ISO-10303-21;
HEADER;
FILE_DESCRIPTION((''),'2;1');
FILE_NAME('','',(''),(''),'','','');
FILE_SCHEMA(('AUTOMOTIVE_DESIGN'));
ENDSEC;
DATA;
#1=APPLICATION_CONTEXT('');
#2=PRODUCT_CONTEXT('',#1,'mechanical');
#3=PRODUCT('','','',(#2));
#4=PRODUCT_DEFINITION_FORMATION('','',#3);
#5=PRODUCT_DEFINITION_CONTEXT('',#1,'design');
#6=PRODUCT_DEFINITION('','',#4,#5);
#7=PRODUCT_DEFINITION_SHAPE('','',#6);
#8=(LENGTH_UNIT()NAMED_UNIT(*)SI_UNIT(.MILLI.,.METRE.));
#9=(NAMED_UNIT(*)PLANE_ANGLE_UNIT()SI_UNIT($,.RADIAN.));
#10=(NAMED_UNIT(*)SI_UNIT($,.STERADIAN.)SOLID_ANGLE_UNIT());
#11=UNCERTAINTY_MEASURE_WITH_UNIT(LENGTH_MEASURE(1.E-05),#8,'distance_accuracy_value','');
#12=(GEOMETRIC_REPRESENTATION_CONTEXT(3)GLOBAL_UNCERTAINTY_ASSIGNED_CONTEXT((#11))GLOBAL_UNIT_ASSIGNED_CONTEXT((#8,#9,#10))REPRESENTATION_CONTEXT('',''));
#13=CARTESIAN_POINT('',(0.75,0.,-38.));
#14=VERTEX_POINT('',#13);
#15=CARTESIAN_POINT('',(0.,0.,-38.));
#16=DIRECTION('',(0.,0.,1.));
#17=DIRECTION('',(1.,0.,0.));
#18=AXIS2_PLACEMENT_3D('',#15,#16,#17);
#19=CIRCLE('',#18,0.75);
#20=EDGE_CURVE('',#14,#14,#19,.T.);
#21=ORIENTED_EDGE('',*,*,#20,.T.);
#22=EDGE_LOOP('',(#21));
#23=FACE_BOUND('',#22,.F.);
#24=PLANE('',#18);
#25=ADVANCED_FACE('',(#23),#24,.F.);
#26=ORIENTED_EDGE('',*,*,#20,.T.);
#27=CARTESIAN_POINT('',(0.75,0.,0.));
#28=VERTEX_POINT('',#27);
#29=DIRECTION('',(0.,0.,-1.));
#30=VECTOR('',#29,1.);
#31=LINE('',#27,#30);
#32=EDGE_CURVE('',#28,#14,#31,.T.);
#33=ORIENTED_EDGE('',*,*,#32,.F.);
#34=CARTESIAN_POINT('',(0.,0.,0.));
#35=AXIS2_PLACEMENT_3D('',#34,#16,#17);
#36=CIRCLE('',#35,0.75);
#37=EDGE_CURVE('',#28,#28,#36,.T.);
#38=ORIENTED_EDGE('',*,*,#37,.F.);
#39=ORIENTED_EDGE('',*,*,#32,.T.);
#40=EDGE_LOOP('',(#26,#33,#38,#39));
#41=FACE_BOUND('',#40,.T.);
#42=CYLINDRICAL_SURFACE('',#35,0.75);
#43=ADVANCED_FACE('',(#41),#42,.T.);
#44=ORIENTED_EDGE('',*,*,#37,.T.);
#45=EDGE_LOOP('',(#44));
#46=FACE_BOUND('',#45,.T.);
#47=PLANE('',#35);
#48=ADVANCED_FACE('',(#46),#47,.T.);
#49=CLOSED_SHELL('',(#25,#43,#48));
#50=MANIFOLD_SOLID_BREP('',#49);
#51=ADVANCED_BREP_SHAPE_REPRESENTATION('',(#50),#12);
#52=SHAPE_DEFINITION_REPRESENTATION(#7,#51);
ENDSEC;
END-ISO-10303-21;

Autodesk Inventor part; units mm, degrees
ref_plane "YZ Plane" through (0, 0, 0) normal (1, 0, 0) x (0, 1, 0)
ref_plane "XZ Plane" through (0, 0, 0) normal (0, 1, 0) x (-1, 0, 0)
ref_plane "XY Plane" through (0, 0, 0) normal (0, 0, 1) x (1, 0, 0)
sketch "Skizze1" plane through (0, 0, 0) normal (0, 0, 1) x (1, 0, 0)
  circle A0 centre (0, 0) radius 0.75
  dimension "d0" = 1.5
extrude "Extrusion1" add sketch "Skizze1" against normal blind 38
properties part number "stange" material "Aluminium 6061"
